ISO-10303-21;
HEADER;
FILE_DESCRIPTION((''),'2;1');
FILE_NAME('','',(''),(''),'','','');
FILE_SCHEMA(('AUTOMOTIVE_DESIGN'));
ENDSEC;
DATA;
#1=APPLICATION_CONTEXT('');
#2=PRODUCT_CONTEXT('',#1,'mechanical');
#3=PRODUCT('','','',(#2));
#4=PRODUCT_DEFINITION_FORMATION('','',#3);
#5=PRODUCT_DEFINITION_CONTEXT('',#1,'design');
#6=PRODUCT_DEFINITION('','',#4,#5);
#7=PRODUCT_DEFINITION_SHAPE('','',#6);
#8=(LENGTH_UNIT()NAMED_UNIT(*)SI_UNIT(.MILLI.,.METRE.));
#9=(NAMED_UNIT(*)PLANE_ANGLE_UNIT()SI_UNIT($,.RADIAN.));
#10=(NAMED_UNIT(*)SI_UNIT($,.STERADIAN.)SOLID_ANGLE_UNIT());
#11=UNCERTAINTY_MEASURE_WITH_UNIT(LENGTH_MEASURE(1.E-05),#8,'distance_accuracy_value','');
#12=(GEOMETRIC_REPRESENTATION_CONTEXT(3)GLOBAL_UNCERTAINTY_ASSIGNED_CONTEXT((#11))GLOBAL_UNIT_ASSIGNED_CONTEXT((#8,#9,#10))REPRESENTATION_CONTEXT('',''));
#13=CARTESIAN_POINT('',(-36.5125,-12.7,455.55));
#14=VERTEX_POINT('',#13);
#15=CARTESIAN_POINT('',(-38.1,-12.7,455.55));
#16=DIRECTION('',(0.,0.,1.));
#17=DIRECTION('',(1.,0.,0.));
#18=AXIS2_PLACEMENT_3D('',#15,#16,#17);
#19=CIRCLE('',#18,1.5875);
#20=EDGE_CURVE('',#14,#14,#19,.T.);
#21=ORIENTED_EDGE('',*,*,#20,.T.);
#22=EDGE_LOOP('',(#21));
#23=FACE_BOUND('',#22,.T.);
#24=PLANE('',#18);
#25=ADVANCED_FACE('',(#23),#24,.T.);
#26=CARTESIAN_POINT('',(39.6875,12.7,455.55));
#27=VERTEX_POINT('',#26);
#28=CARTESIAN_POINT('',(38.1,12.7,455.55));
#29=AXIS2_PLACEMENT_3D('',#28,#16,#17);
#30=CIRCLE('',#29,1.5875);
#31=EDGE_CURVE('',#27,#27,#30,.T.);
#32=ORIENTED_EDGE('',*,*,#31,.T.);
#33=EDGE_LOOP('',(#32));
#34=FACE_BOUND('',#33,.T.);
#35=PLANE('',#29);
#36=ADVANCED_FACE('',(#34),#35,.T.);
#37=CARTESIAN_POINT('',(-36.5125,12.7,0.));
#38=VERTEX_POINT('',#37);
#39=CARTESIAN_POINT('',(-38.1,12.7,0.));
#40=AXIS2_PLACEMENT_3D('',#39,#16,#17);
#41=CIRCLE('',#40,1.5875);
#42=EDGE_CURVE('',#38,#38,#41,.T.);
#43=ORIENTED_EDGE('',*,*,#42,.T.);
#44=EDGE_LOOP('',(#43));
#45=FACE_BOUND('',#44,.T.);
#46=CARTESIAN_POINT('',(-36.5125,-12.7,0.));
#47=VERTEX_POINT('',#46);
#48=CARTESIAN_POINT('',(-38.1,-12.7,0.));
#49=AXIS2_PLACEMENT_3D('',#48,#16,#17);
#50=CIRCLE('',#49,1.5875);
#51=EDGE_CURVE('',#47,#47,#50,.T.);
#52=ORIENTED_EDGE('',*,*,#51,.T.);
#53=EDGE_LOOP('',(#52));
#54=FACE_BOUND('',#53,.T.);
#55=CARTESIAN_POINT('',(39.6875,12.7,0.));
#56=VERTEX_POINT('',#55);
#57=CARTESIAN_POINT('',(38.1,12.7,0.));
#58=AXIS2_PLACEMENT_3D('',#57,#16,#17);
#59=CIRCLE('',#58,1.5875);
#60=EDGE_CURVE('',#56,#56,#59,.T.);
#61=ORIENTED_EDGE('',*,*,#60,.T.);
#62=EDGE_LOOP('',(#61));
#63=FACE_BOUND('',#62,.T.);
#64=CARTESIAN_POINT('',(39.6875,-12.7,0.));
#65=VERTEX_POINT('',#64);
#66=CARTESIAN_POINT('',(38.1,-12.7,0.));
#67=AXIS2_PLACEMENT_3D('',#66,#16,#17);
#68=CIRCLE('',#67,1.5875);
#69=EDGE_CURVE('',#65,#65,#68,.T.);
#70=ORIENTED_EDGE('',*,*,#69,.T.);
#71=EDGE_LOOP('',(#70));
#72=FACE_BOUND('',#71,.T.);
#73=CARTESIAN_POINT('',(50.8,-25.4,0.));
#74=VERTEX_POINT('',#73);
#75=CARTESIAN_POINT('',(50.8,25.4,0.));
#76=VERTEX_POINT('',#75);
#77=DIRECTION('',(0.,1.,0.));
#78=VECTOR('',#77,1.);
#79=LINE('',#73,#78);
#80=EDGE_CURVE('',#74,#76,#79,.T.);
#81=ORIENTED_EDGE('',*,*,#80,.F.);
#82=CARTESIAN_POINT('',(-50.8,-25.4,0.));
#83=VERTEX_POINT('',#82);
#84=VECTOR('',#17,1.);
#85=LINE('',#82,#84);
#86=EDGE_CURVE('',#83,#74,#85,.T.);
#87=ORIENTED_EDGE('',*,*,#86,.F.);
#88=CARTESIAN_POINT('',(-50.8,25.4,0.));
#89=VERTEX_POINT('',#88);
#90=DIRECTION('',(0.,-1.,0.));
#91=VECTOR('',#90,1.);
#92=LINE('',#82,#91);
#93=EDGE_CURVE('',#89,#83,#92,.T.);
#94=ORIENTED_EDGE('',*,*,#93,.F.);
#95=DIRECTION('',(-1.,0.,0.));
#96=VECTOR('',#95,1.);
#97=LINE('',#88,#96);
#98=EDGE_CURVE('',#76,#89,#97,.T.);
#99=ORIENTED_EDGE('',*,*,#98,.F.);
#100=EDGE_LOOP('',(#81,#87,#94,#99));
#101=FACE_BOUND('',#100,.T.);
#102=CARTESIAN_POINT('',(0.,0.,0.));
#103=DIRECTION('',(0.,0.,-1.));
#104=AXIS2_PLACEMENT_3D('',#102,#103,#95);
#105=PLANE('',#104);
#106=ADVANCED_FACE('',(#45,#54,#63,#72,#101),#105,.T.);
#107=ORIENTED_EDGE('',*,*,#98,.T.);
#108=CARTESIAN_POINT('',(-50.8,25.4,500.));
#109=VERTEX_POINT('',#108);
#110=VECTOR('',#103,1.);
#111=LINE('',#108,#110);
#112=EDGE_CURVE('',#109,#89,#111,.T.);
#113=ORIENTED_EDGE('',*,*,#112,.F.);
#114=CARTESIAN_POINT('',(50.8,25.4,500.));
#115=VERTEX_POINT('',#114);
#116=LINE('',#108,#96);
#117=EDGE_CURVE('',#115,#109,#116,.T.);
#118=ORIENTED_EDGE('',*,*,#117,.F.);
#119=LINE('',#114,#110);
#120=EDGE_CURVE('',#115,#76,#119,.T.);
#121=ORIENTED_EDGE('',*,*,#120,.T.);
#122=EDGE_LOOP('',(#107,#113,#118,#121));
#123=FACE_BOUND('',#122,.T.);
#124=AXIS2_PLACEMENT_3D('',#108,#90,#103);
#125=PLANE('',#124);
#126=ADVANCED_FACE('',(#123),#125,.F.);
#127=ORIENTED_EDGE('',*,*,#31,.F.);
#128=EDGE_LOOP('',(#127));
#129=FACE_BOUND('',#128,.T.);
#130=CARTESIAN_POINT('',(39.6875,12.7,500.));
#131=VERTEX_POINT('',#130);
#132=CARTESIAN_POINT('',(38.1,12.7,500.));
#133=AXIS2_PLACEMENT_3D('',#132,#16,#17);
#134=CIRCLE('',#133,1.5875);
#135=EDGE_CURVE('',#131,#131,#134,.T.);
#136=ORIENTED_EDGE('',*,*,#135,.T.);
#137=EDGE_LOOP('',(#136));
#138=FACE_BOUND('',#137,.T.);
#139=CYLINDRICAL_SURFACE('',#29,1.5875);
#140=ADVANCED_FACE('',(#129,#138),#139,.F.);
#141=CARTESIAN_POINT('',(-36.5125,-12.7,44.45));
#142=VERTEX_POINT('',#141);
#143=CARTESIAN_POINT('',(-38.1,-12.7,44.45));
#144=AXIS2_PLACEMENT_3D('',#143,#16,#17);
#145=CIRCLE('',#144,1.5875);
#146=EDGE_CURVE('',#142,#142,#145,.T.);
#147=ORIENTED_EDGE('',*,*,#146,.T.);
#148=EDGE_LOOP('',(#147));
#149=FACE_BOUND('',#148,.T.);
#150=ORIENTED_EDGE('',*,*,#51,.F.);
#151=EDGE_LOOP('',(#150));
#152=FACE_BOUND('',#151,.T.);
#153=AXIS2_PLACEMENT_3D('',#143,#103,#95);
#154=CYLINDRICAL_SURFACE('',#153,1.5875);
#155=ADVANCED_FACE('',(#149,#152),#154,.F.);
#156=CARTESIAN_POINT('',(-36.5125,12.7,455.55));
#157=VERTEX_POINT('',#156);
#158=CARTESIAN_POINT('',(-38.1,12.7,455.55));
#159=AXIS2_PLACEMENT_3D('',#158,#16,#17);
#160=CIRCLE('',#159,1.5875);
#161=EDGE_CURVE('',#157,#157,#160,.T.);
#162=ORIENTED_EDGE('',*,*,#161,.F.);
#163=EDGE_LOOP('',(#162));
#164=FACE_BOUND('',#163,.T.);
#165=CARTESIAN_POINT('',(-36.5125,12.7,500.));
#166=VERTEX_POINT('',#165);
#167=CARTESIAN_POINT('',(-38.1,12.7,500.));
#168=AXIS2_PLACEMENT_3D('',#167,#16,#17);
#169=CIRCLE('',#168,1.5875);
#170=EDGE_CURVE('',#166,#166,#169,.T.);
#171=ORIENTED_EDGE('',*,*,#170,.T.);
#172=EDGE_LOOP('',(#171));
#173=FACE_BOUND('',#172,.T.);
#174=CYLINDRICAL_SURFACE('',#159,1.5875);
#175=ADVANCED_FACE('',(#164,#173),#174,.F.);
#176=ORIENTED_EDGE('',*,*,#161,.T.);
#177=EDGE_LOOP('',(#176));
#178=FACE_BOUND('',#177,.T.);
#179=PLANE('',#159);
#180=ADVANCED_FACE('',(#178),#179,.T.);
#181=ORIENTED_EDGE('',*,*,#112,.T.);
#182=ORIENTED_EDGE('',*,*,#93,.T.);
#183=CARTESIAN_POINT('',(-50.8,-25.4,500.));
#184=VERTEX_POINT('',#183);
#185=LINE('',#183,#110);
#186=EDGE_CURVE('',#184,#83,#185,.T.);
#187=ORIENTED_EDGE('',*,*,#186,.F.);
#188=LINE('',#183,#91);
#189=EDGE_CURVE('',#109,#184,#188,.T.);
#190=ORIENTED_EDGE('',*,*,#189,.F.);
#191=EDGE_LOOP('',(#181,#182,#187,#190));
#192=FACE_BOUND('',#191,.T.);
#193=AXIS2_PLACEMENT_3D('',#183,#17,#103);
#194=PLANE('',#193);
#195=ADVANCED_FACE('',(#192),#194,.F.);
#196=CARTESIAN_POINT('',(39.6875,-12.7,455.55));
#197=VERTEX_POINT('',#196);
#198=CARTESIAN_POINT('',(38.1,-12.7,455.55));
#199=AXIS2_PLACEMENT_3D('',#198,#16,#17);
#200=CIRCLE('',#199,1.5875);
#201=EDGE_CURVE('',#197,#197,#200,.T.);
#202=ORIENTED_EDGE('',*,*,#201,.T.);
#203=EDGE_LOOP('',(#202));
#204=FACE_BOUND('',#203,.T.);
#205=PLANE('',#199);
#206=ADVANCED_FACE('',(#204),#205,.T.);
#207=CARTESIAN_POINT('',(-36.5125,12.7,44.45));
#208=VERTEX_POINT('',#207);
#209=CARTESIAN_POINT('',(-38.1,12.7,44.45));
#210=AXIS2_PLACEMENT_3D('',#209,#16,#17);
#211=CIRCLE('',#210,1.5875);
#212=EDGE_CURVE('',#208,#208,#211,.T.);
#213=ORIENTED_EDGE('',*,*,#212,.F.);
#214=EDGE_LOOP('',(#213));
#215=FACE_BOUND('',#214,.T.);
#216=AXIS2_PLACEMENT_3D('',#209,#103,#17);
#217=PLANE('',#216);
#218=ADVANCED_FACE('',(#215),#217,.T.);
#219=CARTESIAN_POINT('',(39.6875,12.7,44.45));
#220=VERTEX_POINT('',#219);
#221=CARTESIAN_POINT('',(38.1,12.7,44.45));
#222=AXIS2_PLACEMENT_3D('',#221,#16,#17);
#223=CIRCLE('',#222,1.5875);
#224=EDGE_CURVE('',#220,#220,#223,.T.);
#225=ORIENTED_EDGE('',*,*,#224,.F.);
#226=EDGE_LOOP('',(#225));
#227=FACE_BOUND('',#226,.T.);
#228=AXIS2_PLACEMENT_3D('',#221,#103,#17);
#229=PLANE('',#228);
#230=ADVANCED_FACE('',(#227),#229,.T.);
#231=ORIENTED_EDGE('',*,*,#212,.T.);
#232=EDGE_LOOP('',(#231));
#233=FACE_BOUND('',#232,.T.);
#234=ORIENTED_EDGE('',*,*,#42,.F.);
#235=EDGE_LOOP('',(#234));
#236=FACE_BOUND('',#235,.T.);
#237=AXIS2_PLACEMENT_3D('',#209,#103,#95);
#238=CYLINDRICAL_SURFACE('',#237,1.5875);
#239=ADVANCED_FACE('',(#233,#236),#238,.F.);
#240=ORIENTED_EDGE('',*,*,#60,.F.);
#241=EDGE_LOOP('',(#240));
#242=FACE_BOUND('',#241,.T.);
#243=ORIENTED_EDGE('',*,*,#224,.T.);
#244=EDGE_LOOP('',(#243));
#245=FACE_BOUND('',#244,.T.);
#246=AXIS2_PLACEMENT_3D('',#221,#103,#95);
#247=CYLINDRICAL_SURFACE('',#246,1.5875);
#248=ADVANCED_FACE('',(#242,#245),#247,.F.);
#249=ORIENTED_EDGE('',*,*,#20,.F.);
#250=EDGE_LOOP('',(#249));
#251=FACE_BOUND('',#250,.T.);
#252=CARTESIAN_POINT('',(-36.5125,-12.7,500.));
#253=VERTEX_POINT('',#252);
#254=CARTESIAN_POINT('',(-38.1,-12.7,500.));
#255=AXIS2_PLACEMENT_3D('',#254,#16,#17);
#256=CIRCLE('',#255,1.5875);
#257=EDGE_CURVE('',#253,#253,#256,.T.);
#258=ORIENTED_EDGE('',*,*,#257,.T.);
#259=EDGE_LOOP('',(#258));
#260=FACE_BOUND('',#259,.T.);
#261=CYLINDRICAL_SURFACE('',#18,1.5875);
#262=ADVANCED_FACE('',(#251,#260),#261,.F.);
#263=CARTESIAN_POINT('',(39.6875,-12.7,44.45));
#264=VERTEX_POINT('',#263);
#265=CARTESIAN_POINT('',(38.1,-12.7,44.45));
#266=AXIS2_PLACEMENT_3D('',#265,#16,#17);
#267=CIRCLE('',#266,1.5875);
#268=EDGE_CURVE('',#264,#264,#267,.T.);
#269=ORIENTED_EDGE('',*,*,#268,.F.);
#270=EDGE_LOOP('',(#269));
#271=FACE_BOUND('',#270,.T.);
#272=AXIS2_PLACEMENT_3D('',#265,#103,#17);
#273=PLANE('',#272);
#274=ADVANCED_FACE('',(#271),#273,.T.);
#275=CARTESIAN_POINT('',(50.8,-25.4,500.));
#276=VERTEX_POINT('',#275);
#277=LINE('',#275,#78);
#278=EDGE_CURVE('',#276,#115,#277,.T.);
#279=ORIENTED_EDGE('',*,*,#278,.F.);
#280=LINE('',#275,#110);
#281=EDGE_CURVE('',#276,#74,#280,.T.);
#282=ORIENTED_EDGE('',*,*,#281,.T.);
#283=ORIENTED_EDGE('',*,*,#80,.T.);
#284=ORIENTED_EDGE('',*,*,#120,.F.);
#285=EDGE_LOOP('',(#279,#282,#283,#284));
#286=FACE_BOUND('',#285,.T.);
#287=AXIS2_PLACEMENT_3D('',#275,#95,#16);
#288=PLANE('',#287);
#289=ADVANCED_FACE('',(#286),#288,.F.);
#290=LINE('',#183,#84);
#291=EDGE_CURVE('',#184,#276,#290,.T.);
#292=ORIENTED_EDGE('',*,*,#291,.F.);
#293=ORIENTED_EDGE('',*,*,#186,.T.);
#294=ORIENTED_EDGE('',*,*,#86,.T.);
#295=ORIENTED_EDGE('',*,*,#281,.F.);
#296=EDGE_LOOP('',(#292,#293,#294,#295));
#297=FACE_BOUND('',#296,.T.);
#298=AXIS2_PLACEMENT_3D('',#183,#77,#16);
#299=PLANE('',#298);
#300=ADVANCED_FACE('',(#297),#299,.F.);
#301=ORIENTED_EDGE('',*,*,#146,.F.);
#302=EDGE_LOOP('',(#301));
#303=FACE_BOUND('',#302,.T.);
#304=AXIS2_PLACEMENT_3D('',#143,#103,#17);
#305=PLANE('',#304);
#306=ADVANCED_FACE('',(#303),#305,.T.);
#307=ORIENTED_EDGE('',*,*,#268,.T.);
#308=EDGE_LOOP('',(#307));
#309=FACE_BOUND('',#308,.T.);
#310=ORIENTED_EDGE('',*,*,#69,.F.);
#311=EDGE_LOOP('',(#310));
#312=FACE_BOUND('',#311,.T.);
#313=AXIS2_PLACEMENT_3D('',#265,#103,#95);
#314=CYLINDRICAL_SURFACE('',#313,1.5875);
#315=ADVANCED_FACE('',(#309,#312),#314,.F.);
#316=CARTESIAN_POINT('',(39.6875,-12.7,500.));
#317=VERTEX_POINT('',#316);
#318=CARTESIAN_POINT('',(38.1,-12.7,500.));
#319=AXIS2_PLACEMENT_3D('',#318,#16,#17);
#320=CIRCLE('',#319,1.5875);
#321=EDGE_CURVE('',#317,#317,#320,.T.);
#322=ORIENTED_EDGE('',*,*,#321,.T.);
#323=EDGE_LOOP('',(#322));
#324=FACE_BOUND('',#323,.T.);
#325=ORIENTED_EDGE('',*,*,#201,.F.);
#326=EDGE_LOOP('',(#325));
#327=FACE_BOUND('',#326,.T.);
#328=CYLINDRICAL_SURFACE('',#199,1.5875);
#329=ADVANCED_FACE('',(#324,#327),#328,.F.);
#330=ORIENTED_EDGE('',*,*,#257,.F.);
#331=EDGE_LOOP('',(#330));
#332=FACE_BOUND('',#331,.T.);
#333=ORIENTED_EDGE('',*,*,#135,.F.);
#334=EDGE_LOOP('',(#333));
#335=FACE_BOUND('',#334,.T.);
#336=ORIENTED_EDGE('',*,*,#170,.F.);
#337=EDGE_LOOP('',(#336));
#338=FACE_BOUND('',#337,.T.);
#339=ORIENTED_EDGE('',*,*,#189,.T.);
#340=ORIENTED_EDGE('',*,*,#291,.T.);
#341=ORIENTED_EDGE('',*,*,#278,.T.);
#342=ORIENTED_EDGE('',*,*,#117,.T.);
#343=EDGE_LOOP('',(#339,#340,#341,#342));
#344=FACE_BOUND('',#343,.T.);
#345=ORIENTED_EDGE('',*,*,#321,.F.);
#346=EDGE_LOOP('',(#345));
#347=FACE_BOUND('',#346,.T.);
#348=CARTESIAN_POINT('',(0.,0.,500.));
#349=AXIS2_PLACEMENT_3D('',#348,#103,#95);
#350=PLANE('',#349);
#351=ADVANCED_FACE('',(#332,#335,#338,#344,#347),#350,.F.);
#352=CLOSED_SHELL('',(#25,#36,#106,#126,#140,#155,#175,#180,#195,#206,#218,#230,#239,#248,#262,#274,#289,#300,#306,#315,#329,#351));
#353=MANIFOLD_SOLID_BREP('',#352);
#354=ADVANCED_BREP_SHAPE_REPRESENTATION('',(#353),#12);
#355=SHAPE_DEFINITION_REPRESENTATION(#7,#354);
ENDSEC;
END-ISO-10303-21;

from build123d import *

# Parameters (mm, degrees)
SKETCH1_W           = 101.6
SKETCH1_H           = 50.8
BOSS_EXTRUDE1_DEPTH = 500
SKETCH2_R           = 1.5875
CUT_EXTRUDE1_DEPTH  = 44.45


with BuildPart() as part:
    # Sketch1 → Boss-Extrude1 (new body)
    with BuildSketch(Plane.XY):
        Rectangle(SKETCH1_W, SKETCH1_H)
    extrude(amount=BOSS_EXTRUDE1_DEPTH)

    # Sketch2 → Cut-Extrude1 (cut)
    with BuildSketch(Plane.XY.offset(500)):
        with Locations((-38.1, 12.7)):
            Circle(SKETCH2_R)
        with Locations((38.1, 12.7)):
            Circle(SKETCH2_R)
        with Locations((38.1, -12.7)):
            Circle(SKETCH2_R)
        with Locations((-38.1, -12.7)):
            Circle(SKETCH2_R)
    cut_extrude1 = extrude(amount=-CUT_EXTRUDE1_DEPTH, mode=Mode.SUBTRACT)

    # Mirror1: Cut-Extrude1 across plane
    add(cut_extrude1.mirror(Plane(origin=(0, 0, 250), x_dir=(1, 0, 0), z_dir=(0, 0, -1))), mode=Mode.SUBTRACT)


solid = part.part
